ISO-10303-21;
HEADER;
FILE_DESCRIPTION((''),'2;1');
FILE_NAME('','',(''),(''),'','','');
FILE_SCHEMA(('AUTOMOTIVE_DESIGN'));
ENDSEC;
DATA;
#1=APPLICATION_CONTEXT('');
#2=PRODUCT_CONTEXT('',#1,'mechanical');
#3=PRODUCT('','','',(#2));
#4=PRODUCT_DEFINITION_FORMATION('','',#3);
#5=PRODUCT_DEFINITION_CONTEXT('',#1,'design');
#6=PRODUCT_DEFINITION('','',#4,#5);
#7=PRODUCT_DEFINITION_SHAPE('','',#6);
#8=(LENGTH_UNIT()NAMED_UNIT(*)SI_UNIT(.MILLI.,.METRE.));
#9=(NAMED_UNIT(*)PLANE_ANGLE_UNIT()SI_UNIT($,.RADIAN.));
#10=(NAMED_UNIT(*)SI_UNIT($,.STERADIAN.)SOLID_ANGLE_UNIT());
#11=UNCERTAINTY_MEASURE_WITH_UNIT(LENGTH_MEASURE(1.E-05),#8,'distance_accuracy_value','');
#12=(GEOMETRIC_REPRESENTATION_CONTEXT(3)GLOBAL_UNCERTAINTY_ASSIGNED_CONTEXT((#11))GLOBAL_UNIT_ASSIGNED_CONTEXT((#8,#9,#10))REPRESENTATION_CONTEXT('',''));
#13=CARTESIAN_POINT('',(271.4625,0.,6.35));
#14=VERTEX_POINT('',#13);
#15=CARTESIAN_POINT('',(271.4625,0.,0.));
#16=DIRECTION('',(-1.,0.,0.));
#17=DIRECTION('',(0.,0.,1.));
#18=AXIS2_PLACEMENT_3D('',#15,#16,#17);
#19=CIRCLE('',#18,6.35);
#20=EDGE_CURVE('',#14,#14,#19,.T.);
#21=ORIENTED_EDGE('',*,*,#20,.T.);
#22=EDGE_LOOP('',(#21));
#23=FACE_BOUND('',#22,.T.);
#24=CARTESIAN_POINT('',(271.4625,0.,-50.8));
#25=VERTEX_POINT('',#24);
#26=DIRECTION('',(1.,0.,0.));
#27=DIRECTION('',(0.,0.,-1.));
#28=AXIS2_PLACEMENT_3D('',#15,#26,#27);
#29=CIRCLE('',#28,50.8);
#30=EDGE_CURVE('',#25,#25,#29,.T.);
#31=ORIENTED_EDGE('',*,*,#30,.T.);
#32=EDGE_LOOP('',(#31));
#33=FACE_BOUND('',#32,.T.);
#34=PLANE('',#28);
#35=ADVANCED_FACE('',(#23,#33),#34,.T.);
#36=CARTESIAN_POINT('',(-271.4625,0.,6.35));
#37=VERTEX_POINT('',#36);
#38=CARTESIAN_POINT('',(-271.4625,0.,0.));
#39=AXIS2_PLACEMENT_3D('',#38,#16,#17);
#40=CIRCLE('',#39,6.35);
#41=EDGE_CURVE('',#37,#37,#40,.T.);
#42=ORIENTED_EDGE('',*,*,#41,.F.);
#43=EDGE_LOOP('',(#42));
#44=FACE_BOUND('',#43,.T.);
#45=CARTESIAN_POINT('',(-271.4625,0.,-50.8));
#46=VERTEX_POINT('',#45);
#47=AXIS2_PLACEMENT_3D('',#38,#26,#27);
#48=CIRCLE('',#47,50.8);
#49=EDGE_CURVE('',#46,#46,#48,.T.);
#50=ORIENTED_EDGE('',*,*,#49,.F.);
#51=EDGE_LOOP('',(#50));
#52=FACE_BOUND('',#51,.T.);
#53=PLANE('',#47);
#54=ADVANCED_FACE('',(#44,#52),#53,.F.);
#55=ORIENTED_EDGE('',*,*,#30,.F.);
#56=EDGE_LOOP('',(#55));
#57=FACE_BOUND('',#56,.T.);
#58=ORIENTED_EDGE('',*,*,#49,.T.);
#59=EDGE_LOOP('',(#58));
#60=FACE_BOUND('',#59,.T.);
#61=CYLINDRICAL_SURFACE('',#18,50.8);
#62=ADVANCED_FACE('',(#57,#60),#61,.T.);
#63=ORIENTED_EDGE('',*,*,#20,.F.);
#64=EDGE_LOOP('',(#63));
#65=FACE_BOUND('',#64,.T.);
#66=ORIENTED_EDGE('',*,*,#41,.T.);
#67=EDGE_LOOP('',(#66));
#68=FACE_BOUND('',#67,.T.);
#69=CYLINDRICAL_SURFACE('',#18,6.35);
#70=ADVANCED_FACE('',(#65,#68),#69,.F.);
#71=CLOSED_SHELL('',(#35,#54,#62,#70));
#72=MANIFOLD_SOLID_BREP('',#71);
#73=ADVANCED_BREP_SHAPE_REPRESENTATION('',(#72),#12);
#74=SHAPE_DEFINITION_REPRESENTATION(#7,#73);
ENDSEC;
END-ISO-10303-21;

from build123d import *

# Parameters (mm, degrees)
SKETCH1_R           = 50.8
BOSS_EXTRUDE1_DEPTH = 271.4625
SKETCH2_R           = 6.35
CUT_EXTRUDE1_DEPTH  = 543.925


with BuildPart() as part:
    # Sketch1 → Boss-Extrude1 (new body, symmetric)
    with BuildSketch(Plane(origin=(0, 0, 0), x_dir=(0, 0, -1), z_dir=(1, 0, 0))):
        Circle(SKETCH1_R)
    extrude(amount=BOSS_EXTRUDE1_DEPTH, both=True)

    # Sketch2 → Cut-Extrude1 (cut, through all)
    with BuildSketch(Plane.ZY.offset(271.4625)):
        Circle(SKETCH2_R)
    extrude(amount=-CUT_EXTRUDE1_DEPTH, mode=Mode.SUBTRACT)


solid = part.part
